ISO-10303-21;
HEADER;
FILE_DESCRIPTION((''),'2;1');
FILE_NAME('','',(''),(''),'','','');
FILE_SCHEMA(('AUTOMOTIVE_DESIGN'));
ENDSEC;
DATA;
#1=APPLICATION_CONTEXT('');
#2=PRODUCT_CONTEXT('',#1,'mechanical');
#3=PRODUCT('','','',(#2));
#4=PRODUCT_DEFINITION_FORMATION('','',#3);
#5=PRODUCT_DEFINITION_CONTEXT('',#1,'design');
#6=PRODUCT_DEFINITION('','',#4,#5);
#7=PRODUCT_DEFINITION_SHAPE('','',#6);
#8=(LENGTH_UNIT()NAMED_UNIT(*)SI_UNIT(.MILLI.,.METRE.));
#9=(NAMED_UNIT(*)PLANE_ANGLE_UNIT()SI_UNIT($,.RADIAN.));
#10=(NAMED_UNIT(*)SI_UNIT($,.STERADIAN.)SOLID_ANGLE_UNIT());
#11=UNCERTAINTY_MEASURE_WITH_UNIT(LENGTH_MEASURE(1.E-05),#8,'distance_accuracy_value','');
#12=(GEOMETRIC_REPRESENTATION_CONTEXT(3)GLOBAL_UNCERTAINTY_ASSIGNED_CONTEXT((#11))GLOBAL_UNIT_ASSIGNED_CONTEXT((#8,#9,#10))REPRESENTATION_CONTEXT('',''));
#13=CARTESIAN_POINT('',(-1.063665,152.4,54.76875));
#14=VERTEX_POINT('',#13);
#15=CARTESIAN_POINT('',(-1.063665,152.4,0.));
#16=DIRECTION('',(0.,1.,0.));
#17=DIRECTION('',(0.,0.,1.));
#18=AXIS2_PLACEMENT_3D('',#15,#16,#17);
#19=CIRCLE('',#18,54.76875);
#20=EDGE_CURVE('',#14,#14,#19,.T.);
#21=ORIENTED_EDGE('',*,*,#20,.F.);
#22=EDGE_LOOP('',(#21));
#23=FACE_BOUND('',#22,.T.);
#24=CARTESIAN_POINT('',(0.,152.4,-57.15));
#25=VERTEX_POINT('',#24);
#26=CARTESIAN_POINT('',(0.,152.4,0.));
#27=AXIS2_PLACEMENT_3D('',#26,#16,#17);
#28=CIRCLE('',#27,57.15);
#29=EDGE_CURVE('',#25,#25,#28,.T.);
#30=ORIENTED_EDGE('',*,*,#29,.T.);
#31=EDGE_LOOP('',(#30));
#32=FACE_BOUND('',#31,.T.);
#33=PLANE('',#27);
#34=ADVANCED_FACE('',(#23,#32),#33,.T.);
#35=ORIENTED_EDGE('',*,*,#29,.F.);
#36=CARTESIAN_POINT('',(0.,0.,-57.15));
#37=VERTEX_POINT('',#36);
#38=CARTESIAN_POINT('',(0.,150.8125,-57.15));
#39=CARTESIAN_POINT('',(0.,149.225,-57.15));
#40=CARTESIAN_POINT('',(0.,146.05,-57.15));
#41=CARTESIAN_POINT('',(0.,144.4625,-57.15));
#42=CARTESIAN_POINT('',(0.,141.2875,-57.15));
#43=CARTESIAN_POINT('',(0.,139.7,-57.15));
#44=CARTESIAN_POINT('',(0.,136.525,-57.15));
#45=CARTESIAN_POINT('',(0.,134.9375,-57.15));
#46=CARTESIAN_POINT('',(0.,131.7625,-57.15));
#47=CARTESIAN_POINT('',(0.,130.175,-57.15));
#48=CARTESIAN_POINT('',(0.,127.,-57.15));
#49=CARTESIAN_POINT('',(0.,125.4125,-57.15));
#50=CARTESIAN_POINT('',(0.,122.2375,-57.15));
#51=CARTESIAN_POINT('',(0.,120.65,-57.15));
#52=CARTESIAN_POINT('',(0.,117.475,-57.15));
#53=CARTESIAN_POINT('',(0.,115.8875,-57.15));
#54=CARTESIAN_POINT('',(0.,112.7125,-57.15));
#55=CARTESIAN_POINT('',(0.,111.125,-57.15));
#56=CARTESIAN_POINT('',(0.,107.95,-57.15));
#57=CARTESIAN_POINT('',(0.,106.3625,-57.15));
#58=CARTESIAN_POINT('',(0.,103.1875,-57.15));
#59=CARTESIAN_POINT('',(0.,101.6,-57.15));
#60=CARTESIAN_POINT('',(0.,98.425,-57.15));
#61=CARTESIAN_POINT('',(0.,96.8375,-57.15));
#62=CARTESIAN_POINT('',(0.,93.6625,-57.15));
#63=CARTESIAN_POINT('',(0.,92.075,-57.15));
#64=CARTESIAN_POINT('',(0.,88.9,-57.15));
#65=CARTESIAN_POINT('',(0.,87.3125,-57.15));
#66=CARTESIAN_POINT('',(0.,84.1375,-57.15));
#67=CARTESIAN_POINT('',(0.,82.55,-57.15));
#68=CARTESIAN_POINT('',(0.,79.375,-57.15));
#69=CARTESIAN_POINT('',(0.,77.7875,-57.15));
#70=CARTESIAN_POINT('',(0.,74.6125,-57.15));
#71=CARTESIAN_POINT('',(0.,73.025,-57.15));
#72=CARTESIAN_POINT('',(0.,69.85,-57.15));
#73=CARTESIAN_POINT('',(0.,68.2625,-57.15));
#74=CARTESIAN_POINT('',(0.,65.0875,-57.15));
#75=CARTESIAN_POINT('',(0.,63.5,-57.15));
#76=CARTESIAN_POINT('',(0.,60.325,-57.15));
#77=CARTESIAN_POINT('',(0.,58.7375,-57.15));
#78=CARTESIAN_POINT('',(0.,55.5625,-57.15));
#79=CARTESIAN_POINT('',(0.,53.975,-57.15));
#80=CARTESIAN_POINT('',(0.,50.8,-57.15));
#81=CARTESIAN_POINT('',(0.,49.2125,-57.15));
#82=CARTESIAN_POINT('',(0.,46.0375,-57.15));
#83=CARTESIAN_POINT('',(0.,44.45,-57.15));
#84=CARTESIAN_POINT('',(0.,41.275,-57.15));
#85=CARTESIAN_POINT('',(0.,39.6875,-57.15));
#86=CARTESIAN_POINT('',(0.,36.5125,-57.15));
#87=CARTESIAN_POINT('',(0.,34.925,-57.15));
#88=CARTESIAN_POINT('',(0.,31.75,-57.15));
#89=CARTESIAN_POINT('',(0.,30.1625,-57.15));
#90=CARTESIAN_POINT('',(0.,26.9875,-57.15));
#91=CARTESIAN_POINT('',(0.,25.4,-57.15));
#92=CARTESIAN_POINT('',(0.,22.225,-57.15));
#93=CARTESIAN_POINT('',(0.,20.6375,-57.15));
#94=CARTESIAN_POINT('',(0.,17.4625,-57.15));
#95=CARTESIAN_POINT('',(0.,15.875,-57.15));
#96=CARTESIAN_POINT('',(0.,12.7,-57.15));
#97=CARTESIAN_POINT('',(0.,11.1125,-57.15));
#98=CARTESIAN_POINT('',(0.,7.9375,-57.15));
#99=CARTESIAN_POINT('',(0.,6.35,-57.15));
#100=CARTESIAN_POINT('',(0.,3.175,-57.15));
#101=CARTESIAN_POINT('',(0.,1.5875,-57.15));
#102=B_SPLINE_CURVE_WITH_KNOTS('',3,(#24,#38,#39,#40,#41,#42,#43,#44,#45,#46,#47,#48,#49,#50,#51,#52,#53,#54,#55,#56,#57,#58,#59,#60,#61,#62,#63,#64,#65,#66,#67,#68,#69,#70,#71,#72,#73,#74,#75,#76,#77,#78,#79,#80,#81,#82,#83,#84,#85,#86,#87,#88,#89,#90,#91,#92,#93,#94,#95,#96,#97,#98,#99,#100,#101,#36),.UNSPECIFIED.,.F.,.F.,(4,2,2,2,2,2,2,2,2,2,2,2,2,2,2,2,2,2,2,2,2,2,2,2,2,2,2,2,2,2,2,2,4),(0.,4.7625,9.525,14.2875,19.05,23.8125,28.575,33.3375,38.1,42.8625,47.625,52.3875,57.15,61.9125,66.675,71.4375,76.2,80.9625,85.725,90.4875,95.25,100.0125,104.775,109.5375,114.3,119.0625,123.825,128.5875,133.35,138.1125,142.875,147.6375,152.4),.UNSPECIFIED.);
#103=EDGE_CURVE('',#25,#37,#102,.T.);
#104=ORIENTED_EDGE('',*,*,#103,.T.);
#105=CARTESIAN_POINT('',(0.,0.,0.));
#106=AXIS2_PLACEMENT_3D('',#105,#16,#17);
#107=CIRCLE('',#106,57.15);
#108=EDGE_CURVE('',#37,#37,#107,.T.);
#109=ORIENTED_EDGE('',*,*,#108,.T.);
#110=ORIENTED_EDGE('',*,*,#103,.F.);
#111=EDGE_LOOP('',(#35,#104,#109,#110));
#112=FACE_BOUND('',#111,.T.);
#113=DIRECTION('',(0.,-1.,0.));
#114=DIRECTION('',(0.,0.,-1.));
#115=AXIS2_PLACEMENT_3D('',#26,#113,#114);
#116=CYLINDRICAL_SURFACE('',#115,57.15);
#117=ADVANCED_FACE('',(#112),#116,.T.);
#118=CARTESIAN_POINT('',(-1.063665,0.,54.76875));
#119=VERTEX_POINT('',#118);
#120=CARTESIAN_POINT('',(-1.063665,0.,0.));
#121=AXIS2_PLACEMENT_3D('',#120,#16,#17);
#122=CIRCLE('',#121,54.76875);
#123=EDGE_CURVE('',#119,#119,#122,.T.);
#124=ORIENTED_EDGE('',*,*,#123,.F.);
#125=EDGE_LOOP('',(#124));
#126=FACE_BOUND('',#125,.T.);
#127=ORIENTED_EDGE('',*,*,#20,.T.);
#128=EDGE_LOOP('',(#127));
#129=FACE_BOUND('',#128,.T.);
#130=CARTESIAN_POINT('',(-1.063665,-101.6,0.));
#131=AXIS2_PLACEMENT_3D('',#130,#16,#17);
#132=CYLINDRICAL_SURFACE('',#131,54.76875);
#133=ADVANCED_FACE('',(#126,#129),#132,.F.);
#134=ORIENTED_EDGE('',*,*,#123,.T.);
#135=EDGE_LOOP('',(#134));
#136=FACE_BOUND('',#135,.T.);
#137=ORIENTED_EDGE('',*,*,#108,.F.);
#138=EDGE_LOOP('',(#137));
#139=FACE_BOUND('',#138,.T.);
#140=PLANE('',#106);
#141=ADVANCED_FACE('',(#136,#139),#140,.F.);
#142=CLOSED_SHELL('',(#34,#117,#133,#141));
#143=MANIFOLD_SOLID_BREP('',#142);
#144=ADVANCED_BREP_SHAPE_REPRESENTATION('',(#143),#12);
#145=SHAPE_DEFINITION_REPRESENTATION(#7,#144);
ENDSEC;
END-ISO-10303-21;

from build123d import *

# Parameters (mm, degrees)
SKETCH1_R           = 57.15
BOSS_EXTRUDE1_DEPTH = 152.4
SKETCH4_R           = 54.76875
CUT_EXTRUDE2_DEPTH  = 254


with BuildPart() as part:
    # Sketch1 → Boss-Extrude1 (new body)
    with BuildSketch(Plane(origin=(0, 0, 0), x_dir=(1, 0, 0), z_dir=(0, 1, 0))):
        with Locations(Location((0, 0, 0), (0, 0, 90))):
            Circle(SKETCH1_R)
    extrude(amount=BOSS_EXTRUDE1_DEPTH)

    # Sketch4 → Cut-Extrude2 (cut)
    with BuildSketch(Plane(origin=(0, 152.4, 0), x_dir=(1, 0, 0), z_dir=(0, 1, 0))):
        with Locations(Location((-1.063665342, 0, 0), (0, 0, 270))):
            Circle(SKETCH4_R)
    extrude(amount=-CUT_EXTRUDE2_DEPTH, mode=Mode.SUBTRACT)


solid = part.part
